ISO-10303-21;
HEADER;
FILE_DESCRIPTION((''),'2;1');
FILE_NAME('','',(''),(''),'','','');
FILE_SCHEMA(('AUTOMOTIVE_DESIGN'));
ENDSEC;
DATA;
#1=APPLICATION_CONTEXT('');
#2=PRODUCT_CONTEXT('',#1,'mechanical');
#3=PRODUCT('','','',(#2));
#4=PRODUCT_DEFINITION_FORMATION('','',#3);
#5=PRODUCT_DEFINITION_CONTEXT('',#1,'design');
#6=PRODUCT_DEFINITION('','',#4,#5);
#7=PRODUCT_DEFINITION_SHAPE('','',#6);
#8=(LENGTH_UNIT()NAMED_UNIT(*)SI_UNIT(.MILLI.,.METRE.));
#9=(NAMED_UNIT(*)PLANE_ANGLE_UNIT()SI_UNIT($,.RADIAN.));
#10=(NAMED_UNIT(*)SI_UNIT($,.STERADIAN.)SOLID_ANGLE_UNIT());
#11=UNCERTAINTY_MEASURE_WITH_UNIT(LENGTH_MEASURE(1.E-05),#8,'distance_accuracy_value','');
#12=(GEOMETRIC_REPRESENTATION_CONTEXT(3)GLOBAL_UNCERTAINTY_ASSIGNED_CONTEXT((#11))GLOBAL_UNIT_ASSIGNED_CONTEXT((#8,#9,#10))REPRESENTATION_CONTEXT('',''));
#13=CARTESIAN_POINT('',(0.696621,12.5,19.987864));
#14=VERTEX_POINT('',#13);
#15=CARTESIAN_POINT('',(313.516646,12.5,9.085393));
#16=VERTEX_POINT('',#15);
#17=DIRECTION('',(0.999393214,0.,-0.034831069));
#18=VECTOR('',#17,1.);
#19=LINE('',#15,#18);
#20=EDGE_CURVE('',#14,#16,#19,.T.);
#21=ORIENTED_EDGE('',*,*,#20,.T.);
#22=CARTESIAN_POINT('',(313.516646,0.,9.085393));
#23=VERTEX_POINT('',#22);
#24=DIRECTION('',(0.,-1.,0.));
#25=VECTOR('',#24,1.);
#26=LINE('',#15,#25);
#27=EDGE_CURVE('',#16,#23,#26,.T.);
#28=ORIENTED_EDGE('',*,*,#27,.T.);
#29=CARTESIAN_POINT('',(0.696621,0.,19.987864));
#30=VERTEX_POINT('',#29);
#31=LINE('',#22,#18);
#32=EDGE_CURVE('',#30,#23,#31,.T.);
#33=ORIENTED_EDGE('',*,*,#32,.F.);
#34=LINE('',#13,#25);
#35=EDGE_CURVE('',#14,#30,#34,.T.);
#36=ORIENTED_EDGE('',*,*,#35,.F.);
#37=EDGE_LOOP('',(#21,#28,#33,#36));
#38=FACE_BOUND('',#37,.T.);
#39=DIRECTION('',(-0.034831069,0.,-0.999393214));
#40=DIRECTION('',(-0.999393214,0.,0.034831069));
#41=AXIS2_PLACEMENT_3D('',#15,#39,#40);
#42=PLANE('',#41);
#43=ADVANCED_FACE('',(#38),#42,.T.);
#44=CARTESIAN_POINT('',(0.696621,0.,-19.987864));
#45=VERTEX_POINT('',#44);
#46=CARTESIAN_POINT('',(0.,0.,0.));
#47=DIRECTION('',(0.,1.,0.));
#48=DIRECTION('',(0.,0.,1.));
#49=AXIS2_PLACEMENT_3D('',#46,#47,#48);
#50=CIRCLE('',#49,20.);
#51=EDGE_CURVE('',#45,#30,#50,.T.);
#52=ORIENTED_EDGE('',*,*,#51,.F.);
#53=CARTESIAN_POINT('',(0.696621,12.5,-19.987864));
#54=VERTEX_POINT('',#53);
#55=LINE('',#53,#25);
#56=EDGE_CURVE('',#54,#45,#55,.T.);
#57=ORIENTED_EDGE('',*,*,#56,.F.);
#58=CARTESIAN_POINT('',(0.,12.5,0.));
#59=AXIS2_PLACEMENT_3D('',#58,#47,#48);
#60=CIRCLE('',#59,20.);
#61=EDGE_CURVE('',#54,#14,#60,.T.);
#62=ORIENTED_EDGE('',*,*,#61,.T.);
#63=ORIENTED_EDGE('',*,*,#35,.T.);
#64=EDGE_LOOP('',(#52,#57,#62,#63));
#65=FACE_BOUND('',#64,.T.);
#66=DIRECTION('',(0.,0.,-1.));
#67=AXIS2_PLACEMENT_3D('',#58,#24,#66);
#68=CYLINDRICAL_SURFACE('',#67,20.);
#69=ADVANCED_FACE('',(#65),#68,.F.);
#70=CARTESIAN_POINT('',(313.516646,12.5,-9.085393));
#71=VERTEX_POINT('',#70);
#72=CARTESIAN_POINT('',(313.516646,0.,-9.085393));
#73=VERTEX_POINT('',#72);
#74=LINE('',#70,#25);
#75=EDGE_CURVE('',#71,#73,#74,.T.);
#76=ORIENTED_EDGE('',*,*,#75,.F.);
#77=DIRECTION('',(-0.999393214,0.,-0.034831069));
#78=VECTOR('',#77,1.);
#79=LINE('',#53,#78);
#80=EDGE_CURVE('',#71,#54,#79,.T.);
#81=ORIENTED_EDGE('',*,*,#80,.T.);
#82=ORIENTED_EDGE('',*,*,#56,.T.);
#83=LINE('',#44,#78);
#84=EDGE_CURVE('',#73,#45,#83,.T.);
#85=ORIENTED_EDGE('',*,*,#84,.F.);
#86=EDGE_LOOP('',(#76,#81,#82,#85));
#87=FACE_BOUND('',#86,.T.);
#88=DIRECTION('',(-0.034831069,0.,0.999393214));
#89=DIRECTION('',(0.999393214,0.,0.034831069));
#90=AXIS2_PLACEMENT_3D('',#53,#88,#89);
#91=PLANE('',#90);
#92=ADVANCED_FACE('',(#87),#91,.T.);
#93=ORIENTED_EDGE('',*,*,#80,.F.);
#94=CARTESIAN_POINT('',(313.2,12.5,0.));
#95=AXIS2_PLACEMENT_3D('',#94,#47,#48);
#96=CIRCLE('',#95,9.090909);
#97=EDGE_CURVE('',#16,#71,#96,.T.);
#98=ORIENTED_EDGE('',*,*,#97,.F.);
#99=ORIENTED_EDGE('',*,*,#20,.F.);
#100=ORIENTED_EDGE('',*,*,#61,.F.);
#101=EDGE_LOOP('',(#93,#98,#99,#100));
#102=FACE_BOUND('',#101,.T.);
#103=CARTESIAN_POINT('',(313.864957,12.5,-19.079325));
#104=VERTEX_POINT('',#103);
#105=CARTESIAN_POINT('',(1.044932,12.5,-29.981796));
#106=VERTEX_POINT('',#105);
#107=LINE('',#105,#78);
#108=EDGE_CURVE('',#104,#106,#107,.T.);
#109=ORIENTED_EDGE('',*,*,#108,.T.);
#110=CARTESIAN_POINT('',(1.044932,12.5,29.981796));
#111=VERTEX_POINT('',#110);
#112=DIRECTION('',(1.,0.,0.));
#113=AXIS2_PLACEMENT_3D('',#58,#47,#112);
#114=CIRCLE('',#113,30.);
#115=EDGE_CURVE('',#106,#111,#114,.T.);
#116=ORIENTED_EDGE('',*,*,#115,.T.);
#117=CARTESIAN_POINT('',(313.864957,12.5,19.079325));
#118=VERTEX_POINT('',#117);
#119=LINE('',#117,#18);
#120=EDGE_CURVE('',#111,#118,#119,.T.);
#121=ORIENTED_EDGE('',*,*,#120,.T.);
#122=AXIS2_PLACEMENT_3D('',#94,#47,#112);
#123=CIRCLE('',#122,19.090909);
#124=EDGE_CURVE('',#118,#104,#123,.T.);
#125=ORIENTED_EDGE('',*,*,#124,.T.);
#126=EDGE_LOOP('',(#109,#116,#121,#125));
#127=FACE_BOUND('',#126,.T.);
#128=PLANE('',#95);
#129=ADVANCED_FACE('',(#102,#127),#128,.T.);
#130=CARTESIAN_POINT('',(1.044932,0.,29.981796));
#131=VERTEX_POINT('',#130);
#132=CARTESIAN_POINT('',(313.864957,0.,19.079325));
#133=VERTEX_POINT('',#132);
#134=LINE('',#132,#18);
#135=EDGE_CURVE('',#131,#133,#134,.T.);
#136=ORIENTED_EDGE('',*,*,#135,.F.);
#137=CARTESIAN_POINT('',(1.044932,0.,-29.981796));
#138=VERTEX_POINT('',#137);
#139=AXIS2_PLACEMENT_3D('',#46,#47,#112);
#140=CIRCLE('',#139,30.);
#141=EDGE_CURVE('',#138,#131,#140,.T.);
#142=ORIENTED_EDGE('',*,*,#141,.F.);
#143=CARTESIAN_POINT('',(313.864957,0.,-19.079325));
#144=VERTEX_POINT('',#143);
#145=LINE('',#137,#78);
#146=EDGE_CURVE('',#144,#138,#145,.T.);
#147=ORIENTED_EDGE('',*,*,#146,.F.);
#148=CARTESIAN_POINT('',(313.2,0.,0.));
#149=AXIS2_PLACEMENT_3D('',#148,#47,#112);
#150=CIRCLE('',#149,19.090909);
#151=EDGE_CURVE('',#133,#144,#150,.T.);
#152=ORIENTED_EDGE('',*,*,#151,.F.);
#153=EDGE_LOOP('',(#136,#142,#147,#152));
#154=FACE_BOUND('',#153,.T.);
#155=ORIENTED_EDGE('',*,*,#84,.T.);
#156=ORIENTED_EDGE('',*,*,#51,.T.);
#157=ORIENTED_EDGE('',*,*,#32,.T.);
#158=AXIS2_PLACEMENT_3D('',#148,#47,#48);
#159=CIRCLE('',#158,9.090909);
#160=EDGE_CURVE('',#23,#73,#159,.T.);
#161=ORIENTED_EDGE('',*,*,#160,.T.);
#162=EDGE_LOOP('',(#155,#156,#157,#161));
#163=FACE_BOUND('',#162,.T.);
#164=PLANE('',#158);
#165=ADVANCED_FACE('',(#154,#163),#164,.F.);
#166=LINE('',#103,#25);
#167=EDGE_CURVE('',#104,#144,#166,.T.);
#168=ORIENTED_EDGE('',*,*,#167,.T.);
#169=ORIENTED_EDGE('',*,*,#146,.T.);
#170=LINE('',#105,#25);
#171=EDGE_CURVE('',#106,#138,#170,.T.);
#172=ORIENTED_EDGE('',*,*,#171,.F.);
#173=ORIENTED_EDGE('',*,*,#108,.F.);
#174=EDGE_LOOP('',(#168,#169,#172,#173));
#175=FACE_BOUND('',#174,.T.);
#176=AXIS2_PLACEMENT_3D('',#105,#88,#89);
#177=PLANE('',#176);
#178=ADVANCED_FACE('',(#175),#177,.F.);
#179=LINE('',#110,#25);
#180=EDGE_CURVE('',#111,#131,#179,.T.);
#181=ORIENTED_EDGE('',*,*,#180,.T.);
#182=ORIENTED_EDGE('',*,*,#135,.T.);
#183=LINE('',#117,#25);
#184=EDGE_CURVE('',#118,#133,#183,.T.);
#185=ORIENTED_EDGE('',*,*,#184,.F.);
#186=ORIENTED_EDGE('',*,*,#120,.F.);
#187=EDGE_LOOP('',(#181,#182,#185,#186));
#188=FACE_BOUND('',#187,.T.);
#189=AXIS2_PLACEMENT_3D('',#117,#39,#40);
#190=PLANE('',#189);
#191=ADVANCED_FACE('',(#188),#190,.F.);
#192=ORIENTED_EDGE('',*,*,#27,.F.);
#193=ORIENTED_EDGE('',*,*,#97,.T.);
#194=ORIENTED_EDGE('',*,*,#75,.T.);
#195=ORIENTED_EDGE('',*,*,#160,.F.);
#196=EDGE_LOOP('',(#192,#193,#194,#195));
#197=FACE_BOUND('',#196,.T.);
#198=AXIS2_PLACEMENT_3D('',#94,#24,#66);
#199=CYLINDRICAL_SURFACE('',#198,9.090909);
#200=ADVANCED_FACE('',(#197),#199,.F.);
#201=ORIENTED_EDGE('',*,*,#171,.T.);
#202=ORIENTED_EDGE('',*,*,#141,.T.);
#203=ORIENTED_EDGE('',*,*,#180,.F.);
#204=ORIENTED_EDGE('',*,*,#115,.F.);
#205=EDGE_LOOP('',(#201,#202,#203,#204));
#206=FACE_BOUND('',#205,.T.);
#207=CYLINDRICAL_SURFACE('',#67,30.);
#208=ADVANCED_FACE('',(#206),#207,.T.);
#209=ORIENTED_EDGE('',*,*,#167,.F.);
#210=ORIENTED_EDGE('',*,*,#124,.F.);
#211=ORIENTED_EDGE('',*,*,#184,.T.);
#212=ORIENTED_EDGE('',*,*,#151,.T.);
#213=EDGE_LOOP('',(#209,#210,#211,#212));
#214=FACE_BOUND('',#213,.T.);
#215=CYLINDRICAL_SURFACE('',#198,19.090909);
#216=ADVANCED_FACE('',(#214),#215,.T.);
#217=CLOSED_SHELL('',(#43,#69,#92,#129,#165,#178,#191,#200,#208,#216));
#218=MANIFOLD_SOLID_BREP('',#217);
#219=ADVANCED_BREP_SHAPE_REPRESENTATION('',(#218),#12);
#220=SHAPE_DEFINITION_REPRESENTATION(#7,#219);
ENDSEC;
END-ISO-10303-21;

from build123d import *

# Parameters (mm, degrees)
EXTRUDE_THIN1_DEPTH = 12.5


with BuildPart() as part:
    # Sketch1 → Extrude-Thin1 (new body)
    with BuildSketch(Plane(origin=(0, 0, 0), x_dir=(1, 0, 0), z_dir=(0, 1, 0))):
        with BuildLine():
            Line((313.864956778, -19.079324999), (1.044932079, -29.981796426))
            ThreePointArc((1.044932079, -29.981796426), (-30, 0), (1.044932079, 29.981796426))
            Line((1.044932079, 29.981796426), (313.864956778, 19.079324999))
            ThreePointArc((313.864956778, 19.079324999), (332.290909091, 0), (313.864956778, -19.079324999))
        make_face()
        with BuildLine():
            Line((313.516646085, -9.085392856), (0.696621386, -19.987864284))
            ThreePointArc((0.696621386, -19.987864284), (-20, 0), (0.696621386, 19.987864284))
            Line((0.696621386, 19.987864284), (313.516646085, 9.085392856))
            ThreePointArc((313.516646085, 9.085392856), (322.290909091, 0), (313.516646085, -9.085392856))
        make_face(mode=Mode.SUBTRACT)
    extrude(amount=EXTRUDE_THIN1_DEPTH)


solid = part.part
